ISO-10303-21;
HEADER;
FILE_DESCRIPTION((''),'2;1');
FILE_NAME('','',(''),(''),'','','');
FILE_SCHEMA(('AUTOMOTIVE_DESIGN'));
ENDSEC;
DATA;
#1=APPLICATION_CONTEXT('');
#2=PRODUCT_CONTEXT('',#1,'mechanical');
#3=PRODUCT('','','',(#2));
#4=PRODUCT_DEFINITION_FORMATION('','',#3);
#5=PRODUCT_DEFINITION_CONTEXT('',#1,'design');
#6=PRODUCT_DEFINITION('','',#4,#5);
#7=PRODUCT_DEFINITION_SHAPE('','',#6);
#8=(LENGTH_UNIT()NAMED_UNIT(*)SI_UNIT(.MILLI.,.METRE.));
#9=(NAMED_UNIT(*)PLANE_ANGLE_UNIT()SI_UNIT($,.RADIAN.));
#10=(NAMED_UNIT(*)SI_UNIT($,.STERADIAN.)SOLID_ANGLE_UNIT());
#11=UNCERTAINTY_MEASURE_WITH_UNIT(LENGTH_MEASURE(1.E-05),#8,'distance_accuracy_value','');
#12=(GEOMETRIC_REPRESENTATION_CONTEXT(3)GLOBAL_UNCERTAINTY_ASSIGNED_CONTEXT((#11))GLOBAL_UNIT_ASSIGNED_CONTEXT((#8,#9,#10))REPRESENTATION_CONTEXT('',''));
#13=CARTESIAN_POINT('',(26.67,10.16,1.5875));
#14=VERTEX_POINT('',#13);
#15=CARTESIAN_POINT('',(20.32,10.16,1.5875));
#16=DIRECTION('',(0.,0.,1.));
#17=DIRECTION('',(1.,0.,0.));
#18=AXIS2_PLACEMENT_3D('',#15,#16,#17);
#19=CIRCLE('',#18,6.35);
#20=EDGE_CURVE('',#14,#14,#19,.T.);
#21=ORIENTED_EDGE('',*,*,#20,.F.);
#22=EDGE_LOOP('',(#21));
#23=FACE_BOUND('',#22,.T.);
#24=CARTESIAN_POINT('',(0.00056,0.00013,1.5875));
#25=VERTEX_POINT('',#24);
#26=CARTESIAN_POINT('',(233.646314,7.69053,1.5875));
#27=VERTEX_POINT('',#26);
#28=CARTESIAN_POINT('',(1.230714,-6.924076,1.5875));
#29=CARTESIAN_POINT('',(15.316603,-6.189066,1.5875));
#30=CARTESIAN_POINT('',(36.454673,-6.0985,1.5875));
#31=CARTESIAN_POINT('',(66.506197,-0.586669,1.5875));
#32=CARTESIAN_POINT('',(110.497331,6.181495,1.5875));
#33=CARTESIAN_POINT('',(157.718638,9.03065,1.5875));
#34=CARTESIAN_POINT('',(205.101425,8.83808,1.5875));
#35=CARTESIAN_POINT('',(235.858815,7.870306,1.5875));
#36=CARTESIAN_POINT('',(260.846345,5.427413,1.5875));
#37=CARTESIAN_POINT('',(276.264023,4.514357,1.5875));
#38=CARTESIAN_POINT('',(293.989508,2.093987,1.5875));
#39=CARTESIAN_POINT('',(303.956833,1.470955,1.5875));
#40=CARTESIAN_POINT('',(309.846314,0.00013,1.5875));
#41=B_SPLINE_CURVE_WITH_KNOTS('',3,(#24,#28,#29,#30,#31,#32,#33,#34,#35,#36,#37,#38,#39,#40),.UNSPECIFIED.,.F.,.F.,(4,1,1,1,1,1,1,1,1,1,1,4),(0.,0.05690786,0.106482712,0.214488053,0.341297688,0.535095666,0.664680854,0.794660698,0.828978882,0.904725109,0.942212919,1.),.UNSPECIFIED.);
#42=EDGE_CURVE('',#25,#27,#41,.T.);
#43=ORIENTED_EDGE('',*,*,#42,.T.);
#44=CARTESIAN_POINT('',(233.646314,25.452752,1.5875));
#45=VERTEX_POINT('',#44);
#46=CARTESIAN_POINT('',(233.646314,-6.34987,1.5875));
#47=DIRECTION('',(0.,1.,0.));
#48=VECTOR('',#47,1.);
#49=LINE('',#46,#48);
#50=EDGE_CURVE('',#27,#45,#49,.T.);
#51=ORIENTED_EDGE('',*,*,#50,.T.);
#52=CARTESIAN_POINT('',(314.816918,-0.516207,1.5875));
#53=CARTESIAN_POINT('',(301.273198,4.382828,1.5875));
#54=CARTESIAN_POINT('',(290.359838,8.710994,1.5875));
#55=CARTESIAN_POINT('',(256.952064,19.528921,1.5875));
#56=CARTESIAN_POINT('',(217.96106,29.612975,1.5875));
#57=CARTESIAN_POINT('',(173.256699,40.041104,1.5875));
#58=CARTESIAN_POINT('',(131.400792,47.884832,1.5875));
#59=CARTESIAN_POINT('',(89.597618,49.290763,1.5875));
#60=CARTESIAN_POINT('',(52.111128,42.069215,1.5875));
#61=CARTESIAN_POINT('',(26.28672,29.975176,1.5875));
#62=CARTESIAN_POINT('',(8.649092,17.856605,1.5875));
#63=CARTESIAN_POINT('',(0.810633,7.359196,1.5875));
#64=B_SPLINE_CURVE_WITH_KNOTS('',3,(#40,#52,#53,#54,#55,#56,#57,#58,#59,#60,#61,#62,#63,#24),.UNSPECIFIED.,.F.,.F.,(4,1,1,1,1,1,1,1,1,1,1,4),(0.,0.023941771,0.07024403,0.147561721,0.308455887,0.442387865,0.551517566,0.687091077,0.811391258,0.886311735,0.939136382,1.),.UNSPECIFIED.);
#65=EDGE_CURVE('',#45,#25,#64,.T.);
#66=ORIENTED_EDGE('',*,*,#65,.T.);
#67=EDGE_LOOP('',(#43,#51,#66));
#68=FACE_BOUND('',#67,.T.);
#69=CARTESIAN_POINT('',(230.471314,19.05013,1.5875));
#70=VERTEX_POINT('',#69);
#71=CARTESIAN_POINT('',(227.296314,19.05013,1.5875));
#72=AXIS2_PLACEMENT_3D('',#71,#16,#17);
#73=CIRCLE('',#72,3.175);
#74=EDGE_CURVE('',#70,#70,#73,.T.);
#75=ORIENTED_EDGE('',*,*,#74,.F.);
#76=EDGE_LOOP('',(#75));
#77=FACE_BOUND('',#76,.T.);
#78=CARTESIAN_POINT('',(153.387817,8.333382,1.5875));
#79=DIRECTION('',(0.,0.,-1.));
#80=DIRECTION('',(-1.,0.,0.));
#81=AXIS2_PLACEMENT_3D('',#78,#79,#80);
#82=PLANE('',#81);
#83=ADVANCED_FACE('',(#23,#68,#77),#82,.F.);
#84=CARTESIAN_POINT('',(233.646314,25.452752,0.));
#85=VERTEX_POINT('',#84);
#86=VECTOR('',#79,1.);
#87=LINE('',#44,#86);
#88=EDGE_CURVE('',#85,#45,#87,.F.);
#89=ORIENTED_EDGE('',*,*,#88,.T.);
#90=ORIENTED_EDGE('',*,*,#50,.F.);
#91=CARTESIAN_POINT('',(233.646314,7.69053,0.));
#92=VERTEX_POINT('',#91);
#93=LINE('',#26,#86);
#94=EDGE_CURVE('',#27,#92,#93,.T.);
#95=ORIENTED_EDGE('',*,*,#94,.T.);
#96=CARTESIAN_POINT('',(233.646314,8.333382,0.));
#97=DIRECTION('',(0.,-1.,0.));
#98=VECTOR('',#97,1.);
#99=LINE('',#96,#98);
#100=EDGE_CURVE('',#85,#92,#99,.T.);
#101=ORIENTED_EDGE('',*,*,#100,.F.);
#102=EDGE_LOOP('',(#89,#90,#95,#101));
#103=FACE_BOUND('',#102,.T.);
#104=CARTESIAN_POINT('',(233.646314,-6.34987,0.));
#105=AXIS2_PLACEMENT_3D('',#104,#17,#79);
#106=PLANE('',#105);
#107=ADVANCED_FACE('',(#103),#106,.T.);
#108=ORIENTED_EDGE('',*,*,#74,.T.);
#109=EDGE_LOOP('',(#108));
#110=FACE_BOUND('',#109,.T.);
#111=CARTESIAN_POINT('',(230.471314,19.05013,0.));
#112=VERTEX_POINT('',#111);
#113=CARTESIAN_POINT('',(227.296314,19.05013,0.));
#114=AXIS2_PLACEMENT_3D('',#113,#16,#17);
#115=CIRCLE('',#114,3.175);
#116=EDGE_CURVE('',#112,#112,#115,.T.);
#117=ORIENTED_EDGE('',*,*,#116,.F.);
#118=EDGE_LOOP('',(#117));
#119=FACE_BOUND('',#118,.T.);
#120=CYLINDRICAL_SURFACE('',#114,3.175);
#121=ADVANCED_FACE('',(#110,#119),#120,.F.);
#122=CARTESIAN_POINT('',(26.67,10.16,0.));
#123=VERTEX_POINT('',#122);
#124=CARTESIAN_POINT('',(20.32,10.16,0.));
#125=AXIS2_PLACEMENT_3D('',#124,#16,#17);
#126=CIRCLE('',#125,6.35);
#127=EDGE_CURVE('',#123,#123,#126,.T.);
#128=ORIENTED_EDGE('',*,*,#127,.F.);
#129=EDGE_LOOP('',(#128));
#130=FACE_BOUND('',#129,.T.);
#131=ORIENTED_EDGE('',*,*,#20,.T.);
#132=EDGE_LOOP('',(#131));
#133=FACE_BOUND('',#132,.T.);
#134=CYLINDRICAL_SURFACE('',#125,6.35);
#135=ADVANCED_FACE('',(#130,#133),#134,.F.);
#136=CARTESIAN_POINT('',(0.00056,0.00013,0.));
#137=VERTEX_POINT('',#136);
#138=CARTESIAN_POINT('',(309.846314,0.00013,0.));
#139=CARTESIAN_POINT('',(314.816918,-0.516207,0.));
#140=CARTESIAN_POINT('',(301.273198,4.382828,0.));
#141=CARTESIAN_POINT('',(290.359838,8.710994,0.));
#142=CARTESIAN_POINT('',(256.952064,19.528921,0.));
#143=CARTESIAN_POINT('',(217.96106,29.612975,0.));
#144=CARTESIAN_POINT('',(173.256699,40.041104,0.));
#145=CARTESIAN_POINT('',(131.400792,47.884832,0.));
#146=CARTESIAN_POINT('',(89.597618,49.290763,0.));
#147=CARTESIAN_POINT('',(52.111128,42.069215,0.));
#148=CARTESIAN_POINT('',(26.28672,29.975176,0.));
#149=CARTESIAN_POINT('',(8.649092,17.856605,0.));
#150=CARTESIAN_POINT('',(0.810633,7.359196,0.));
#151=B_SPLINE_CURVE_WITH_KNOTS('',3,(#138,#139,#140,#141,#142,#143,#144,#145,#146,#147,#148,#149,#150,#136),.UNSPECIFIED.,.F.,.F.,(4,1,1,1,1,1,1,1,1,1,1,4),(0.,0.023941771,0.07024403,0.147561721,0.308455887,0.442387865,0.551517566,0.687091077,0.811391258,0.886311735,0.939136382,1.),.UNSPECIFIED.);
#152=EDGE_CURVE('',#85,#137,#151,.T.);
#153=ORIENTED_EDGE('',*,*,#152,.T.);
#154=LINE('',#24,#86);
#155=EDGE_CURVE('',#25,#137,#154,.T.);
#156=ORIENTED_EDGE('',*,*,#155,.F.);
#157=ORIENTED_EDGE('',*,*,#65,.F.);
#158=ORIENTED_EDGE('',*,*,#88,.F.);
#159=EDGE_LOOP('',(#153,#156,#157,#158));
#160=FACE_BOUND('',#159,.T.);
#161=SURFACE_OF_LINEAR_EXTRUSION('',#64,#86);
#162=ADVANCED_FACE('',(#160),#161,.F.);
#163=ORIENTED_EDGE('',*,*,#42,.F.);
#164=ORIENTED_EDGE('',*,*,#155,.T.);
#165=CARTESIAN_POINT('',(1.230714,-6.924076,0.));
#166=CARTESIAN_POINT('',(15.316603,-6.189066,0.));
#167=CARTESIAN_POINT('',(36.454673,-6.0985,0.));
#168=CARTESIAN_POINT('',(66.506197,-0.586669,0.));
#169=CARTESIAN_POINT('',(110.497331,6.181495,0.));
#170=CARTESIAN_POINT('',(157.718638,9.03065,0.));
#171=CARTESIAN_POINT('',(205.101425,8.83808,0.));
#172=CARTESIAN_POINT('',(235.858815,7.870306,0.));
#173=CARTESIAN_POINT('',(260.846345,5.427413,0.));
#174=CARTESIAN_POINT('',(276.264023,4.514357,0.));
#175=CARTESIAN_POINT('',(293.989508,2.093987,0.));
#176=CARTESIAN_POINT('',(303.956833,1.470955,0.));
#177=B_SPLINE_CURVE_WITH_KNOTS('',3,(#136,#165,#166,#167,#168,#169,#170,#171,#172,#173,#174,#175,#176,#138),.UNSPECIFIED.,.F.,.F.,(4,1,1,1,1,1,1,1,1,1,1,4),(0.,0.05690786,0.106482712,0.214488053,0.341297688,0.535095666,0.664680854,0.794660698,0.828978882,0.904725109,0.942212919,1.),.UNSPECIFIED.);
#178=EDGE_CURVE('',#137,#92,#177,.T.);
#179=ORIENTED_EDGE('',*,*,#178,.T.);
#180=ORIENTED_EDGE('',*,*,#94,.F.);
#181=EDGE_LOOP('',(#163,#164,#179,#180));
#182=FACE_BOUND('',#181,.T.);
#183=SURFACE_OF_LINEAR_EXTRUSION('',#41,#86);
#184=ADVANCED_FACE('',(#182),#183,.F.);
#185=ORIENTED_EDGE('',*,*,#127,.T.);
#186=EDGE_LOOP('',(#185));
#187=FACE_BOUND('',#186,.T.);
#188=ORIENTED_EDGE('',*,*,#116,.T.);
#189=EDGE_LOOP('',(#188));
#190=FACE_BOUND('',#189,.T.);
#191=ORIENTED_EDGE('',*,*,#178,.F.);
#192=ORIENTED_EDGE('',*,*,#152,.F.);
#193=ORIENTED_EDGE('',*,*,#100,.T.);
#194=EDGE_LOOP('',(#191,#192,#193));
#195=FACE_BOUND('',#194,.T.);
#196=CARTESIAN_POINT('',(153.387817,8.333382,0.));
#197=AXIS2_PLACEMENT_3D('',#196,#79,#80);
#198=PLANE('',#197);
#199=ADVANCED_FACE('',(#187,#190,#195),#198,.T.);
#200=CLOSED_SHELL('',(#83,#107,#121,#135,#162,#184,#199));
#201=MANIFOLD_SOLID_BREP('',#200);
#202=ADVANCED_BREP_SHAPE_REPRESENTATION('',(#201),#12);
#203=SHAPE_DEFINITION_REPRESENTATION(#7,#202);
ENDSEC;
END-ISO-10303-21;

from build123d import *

# Parameters (mm, degrees)
BOSS_EXTRUDE1_DEPTH = 1.5875
SKETCH2_R           = 6.35
SKETCH2_R_2         = 3.175
CUT_EXTRUDE1_DEPTH  = 316.731983488
SKETCH3_W           = 116.84
SKETCH3_H           = 50.8
CUT_EXTRUDE2_DEPTH  = 316.731983488


with BuildPart() as part:
    # Sketch1 → Boss-Extrude1 (new body)
    with BuildSketch(Plane.XY):
        with BuildLine():
            add(Edge.make_bspline(
                [(0.000560351, 0.000130087), (0.810633127, 7.359196055), (8.649092025, 17.856605174), (26.286719818, 29.975176328), (52.111128271, 42.069215275), (89.597618475, 49.290763054), (131.400792109, 47.884831915), (173.256699242, 40.041104278), (217.961060472, 29.612974894), (256.952064401, 19.528920948), (290.35983767, 8.71099439), (301.273197721, 4.382828139), (314.816918223, -0.516206742), (309.846313895, 0.000130087)],
                knots=[0, 0, 0, 0, 0.060863618, 0.113688265, 0.188608742, 0.312908923, 0.448482434, 0.557612135, 0.691544113, 0.852438279, 0.92975597, 0.976058229, 1, 1, 1, 1], degree=3))
            add(Edge.make_bspline(
                [(309.846313895, 0.000130087), (303.956832565, 1.47095521), (293.989507544, 2.093987313), (276.26402299, 4.514356704), (260.846344817, 5.427413394), (235.858814759, 7.870306192), (205.101424636, 8.838080282), (157.718638092, 9.030650149), (110.497331172, 6.181495223), (66.506197185, -0.586669107), (36.454672816, -6.098499901), (15.316603331, -6.189065841), (1.230714189, -6.924076091), (0.000560351, 0.000130087)],
                knots=[0, 0, 0, 0, 0.057787081, 0.095274891, 0.171021118, 0.205339302, 0.335319146, 0.464904334, 0.658702312, 0.785511947, 0.893517288, 0.94309214, 1, 1, 1, 1], degree=3))
        make_face()
    extrude(amount=BOSS_EXTRUDE1_DEPTH)

    # Sketch2 → Cut-Extrude1 (cut, through all)
    with BuildSketch(Plane.XY.offset(1.5875)):
        with Locations((20.32, 10.16)):
            Circle(SKETCH2_R)
        with Locations((227.296313895, 19.050130087)):
            Circle(SKETCH2_R_2)
    extrude(amount=-CUT_EXTRUDE1_DEPTH, mode=Mode.SUBTRACT)

    # Sketch3 → Cut-Extrude2 (cut, through all)
    with BuildSketch(Plane.XY.offset(1.5875)):
        with Locations((292.066313895, 19.050130087)):
            Rectangle(SKETCH3_W, SKETCH3_H)
    extrude(amount=-CUT_EXTRUDE2_DEPTH, mode=Mode.SUBTRACT)


solid = part.part
